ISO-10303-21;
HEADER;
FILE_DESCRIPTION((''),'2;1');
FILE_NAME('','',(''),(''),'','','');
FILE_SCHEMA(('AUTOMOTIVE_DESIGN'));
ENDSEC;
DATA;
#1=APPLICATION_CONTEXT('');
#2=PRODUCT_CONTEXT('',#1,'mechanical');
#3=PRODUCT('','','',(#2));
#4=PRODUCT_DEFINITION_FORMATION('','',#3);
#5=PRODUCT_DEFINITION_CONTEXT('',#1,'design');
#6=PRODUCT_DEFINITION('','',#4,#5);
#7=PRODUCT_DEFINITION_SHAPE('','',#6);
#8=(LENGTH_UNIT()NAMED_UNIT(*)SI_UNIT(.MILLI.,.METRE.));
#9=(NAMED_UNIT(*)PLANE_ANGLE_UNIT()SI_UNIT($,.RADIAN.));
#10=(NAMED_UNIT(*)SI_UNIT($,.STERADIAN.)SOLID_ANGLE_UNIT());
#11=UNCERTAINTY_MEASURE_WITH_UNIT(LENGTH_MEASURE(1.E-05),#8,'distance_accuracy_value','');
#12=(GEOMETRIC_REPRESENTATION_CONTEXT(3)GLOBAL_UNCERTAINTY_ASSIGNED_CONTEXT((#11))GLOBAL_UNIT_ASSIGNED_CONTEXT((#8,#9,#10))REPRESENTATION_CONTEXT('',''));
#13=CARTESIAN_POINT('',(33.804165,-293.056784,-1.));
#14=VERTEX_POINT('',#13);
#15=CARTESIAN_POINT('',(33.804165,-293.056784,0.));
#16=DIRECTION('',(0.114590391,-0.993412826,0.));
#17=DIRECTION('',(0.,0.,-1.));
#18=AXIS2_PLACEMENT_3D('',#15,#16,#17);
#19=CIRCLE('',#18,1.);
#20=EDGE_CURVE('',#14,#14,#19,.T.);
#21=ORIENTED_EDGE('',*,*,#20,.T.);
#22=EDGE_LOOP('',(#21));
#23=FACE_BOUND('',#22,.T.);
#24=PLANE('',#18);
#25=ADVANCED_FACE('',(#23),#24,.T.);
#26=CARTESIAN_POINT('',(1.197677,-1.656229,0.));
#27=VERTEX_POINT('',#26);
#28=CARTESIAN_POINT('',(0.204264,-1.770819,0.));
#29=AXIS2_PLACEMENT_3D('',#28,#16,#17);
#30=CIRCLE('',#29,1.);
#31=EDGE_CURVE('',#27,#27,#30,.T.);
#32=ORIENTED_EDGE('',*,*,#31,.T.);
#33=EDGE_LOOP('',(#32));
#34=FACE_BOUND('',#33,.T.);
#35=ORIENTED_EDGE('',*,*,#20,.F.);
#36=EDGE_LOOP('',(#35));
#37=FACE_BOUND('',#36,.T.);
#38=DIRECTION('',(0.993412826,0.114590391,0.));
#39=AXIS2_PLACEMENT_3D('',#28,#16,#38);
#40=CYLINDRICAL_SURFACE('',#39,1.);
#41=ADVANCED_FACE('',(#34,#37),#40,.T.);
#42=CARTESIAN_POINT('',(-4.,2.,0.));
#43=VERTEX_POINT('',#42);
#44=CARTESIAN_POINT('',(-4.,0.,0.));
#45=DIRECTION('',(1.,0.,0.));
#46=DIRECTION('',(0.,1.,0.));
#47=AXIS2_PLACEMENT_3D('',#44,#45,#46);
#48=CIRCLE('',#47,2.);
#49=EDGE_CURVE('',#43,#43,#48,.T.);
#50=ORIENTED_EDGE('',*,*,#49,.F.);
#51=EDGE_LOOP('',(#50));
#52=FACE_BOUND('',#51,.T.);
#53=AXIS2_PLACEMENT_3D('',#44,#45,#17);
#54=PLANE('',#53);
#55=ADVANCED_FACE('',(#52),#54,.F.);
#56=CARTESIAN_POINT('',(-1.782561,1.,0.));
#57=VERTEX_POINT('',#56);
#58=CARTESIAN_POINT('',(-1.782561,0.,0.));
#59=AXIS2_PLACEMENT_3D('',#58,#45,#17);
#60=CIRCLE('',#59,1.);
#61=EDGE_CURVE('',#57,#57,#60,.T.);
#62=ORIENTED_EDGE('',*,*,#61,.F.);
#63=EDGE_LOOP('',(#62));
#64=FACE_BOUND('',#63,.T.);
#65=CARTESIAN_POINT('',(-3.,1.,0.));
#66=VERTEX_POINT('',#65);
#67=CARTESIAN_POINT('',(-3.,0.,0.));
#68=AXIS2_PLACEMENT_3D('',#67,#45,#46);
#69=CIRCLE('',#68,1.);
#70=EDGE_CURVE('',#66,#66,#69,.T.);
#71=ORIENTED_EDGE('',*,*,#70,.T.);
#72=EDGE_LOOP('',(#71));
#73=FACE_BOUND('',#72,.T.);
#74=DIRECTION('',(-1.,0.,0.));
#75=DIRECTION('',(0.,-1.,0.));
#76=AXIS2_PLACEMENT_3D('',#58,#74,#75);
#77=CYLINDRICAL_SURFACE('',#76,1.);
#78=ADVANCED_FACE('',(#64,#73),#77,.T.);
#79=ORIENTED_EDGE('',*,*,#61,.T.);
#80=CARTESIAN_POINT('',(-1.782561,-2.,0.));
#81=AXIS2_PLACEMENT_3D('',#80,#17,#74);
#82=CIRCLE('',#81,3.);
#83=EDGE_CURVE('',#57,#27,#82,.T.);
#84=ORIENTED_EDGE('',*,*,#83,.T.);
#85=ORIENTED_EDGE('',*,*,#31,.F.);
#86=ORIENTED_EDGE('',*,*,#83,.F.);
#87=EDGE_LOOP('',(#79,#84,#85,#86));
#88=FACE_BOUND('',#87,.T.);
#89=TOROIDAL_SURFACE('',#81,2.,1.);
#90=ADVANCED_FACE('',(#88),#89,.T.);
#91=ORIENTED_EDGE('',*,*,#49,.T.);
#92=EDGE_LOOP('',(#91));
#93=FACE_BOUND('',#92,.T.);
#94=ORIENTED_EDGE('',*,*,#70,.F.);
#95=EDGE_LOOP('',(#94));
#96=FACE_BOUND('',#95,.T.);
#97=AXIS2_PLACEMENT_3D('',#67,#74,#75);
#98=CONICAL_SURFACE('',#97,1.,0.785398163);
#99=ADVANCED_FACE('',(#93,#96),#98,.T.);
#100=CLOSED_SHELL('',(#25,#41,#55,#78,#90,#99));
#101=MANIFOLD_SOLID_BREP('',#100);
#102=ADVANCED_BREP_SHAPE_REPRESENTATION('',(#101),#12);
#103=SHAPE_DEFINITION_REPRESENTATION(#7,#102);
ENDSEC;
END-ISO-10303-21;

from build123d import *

# Parameters (mm, degrees)
ESQUISSE2_R = 1


with BuildPart() as part:
    # Balayage1: sweep along a path in Esquisse1
    with BuildLine(Plane.XY) as balayage1_path:
        Line((-4, 0), (-1.78256126, 0))
        ThreePointArc((-1.78256126, 0), (-0.451839945, -0.506955867), (0.204264392, -1.770819218))
        Line((0.204264392, -1.770819218), (33.804165342, -293.056783586))
    # Esquisse2 → Balayage1 (sweep)
    with BuildSketch(Plane(origin=(-4, 0, 0), x_dir=(0, 0, -1), z_dir=(1, 0, 0))):
        Circle(ESQUISSE2_R)
    sweep(path=balayage1_path.line)

    # Esquisse3 → Révolution1 (revolve)
    with BuildSketch(Plane.XY):
        Polygon((-4, 1), (-4, 2), (-3, 1), align=None)
    revolve(axis=Axis((0, 0, 0), (-1, 0, 0)))


solid = part.part
